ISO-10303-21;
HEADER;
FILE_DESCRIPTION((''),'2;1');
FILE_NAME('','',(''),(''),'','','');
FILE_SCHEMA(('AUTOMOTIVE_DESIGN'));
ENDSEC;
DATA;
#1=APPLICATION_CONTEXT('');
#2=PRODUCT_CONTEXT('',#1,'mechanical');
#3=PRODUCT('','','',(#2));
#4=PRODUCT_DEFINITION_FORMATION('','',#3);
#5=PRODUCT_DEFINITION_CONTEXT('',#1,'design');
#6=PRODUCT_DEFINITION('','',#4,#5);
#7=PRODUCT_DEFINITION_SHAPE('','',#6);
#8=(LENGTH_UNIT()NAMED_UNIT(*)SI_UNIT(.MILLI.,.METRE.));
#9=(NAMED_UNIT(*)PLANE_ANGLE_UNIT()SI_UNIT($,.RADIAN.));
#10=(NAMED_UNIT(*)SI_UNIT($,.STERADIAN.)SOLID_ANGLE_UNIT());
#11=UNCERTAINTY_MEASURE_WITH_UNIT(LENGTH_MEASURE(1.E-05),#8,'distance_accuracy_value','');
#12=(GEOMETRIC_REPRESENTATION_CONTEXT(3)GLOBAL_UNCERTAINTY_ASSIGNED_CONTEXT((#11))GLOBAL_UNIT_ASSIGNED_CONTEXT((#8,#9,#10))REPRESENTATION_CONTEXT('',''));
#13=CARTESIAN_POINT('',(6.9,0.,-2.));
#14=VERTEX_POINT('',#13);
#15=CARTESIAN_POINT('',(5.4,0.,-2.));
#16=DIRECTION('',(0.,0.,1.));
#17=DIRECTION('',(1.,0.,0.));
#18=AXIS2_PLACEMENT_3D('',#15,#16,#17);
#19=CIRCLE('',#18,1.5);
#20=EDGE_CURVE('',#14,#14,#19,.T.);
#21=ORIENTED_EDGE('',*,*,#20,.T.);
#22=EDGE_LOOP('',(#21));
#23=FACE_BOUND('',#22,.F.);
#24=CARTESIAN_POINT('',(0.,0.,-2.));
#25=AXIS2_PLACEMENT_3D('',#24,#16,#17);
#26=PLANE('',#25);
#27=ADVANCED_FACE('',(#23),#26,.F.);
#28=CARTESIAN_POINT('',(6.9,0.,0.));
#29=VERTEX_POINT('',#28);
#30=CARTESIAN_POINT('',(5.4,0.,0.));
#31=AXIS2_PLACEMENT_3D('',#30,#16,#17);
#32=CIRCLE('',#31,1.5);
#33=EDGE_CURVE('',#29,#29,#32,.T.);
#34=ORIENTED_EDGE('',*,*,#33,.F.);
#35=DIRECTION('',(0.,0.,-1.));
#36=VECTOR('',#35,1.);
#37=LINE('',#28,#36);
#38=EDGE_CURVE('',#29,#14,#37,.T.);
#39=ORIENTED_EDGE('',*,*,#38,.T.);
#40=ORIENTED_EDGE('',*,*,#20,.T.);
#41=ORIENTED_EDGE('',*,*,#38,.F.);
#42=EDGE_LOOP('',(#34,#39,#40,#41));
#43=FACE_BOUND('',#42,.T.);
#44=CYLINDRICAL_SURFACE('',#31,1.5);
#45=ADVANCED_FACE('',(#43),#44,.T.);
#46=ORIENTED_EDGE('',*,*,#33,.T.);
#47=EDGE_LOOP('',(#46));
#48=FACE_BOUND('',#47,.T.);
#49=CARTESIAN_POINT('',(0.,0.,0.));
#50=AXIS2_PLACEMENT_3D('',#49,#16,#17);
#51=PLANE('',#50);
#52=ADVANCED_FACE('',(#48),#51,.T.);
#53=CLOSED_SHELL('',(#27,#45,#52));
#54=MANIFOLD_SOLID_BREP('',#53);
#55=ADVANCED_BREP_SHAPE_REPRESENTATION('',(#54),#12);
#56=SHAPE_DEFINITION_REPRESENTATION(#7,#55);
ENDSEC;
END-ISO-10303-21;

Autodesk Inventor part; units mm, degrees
ref_plane "YZ Plane" through (0, 0, 0) normal (1, 0, 0) x (0, 1, 0)
ref_plane "XZ Plane" through (0, 0, 0) normal (0, 1, 0) x (-1, 0, 0)
ref_plane "XY Plane" through (0, 0, 0) normal (0, 0, 1) x (1, 0, 0)
sketch "Sketch1" plane through (0, 0, 0) normal (0, 0, 1) x (1, 0, 0)
  circle A0 centre (5.4, 0) radius 1.5
  point P0 (0, 0)
  dimension "d1" = 3
extrude "Extrusion1" add sketch "Sketch1" against normal blind 2
properties part number "Pogo_Magnet1" material "Nickel-Copper Alloy 400"
